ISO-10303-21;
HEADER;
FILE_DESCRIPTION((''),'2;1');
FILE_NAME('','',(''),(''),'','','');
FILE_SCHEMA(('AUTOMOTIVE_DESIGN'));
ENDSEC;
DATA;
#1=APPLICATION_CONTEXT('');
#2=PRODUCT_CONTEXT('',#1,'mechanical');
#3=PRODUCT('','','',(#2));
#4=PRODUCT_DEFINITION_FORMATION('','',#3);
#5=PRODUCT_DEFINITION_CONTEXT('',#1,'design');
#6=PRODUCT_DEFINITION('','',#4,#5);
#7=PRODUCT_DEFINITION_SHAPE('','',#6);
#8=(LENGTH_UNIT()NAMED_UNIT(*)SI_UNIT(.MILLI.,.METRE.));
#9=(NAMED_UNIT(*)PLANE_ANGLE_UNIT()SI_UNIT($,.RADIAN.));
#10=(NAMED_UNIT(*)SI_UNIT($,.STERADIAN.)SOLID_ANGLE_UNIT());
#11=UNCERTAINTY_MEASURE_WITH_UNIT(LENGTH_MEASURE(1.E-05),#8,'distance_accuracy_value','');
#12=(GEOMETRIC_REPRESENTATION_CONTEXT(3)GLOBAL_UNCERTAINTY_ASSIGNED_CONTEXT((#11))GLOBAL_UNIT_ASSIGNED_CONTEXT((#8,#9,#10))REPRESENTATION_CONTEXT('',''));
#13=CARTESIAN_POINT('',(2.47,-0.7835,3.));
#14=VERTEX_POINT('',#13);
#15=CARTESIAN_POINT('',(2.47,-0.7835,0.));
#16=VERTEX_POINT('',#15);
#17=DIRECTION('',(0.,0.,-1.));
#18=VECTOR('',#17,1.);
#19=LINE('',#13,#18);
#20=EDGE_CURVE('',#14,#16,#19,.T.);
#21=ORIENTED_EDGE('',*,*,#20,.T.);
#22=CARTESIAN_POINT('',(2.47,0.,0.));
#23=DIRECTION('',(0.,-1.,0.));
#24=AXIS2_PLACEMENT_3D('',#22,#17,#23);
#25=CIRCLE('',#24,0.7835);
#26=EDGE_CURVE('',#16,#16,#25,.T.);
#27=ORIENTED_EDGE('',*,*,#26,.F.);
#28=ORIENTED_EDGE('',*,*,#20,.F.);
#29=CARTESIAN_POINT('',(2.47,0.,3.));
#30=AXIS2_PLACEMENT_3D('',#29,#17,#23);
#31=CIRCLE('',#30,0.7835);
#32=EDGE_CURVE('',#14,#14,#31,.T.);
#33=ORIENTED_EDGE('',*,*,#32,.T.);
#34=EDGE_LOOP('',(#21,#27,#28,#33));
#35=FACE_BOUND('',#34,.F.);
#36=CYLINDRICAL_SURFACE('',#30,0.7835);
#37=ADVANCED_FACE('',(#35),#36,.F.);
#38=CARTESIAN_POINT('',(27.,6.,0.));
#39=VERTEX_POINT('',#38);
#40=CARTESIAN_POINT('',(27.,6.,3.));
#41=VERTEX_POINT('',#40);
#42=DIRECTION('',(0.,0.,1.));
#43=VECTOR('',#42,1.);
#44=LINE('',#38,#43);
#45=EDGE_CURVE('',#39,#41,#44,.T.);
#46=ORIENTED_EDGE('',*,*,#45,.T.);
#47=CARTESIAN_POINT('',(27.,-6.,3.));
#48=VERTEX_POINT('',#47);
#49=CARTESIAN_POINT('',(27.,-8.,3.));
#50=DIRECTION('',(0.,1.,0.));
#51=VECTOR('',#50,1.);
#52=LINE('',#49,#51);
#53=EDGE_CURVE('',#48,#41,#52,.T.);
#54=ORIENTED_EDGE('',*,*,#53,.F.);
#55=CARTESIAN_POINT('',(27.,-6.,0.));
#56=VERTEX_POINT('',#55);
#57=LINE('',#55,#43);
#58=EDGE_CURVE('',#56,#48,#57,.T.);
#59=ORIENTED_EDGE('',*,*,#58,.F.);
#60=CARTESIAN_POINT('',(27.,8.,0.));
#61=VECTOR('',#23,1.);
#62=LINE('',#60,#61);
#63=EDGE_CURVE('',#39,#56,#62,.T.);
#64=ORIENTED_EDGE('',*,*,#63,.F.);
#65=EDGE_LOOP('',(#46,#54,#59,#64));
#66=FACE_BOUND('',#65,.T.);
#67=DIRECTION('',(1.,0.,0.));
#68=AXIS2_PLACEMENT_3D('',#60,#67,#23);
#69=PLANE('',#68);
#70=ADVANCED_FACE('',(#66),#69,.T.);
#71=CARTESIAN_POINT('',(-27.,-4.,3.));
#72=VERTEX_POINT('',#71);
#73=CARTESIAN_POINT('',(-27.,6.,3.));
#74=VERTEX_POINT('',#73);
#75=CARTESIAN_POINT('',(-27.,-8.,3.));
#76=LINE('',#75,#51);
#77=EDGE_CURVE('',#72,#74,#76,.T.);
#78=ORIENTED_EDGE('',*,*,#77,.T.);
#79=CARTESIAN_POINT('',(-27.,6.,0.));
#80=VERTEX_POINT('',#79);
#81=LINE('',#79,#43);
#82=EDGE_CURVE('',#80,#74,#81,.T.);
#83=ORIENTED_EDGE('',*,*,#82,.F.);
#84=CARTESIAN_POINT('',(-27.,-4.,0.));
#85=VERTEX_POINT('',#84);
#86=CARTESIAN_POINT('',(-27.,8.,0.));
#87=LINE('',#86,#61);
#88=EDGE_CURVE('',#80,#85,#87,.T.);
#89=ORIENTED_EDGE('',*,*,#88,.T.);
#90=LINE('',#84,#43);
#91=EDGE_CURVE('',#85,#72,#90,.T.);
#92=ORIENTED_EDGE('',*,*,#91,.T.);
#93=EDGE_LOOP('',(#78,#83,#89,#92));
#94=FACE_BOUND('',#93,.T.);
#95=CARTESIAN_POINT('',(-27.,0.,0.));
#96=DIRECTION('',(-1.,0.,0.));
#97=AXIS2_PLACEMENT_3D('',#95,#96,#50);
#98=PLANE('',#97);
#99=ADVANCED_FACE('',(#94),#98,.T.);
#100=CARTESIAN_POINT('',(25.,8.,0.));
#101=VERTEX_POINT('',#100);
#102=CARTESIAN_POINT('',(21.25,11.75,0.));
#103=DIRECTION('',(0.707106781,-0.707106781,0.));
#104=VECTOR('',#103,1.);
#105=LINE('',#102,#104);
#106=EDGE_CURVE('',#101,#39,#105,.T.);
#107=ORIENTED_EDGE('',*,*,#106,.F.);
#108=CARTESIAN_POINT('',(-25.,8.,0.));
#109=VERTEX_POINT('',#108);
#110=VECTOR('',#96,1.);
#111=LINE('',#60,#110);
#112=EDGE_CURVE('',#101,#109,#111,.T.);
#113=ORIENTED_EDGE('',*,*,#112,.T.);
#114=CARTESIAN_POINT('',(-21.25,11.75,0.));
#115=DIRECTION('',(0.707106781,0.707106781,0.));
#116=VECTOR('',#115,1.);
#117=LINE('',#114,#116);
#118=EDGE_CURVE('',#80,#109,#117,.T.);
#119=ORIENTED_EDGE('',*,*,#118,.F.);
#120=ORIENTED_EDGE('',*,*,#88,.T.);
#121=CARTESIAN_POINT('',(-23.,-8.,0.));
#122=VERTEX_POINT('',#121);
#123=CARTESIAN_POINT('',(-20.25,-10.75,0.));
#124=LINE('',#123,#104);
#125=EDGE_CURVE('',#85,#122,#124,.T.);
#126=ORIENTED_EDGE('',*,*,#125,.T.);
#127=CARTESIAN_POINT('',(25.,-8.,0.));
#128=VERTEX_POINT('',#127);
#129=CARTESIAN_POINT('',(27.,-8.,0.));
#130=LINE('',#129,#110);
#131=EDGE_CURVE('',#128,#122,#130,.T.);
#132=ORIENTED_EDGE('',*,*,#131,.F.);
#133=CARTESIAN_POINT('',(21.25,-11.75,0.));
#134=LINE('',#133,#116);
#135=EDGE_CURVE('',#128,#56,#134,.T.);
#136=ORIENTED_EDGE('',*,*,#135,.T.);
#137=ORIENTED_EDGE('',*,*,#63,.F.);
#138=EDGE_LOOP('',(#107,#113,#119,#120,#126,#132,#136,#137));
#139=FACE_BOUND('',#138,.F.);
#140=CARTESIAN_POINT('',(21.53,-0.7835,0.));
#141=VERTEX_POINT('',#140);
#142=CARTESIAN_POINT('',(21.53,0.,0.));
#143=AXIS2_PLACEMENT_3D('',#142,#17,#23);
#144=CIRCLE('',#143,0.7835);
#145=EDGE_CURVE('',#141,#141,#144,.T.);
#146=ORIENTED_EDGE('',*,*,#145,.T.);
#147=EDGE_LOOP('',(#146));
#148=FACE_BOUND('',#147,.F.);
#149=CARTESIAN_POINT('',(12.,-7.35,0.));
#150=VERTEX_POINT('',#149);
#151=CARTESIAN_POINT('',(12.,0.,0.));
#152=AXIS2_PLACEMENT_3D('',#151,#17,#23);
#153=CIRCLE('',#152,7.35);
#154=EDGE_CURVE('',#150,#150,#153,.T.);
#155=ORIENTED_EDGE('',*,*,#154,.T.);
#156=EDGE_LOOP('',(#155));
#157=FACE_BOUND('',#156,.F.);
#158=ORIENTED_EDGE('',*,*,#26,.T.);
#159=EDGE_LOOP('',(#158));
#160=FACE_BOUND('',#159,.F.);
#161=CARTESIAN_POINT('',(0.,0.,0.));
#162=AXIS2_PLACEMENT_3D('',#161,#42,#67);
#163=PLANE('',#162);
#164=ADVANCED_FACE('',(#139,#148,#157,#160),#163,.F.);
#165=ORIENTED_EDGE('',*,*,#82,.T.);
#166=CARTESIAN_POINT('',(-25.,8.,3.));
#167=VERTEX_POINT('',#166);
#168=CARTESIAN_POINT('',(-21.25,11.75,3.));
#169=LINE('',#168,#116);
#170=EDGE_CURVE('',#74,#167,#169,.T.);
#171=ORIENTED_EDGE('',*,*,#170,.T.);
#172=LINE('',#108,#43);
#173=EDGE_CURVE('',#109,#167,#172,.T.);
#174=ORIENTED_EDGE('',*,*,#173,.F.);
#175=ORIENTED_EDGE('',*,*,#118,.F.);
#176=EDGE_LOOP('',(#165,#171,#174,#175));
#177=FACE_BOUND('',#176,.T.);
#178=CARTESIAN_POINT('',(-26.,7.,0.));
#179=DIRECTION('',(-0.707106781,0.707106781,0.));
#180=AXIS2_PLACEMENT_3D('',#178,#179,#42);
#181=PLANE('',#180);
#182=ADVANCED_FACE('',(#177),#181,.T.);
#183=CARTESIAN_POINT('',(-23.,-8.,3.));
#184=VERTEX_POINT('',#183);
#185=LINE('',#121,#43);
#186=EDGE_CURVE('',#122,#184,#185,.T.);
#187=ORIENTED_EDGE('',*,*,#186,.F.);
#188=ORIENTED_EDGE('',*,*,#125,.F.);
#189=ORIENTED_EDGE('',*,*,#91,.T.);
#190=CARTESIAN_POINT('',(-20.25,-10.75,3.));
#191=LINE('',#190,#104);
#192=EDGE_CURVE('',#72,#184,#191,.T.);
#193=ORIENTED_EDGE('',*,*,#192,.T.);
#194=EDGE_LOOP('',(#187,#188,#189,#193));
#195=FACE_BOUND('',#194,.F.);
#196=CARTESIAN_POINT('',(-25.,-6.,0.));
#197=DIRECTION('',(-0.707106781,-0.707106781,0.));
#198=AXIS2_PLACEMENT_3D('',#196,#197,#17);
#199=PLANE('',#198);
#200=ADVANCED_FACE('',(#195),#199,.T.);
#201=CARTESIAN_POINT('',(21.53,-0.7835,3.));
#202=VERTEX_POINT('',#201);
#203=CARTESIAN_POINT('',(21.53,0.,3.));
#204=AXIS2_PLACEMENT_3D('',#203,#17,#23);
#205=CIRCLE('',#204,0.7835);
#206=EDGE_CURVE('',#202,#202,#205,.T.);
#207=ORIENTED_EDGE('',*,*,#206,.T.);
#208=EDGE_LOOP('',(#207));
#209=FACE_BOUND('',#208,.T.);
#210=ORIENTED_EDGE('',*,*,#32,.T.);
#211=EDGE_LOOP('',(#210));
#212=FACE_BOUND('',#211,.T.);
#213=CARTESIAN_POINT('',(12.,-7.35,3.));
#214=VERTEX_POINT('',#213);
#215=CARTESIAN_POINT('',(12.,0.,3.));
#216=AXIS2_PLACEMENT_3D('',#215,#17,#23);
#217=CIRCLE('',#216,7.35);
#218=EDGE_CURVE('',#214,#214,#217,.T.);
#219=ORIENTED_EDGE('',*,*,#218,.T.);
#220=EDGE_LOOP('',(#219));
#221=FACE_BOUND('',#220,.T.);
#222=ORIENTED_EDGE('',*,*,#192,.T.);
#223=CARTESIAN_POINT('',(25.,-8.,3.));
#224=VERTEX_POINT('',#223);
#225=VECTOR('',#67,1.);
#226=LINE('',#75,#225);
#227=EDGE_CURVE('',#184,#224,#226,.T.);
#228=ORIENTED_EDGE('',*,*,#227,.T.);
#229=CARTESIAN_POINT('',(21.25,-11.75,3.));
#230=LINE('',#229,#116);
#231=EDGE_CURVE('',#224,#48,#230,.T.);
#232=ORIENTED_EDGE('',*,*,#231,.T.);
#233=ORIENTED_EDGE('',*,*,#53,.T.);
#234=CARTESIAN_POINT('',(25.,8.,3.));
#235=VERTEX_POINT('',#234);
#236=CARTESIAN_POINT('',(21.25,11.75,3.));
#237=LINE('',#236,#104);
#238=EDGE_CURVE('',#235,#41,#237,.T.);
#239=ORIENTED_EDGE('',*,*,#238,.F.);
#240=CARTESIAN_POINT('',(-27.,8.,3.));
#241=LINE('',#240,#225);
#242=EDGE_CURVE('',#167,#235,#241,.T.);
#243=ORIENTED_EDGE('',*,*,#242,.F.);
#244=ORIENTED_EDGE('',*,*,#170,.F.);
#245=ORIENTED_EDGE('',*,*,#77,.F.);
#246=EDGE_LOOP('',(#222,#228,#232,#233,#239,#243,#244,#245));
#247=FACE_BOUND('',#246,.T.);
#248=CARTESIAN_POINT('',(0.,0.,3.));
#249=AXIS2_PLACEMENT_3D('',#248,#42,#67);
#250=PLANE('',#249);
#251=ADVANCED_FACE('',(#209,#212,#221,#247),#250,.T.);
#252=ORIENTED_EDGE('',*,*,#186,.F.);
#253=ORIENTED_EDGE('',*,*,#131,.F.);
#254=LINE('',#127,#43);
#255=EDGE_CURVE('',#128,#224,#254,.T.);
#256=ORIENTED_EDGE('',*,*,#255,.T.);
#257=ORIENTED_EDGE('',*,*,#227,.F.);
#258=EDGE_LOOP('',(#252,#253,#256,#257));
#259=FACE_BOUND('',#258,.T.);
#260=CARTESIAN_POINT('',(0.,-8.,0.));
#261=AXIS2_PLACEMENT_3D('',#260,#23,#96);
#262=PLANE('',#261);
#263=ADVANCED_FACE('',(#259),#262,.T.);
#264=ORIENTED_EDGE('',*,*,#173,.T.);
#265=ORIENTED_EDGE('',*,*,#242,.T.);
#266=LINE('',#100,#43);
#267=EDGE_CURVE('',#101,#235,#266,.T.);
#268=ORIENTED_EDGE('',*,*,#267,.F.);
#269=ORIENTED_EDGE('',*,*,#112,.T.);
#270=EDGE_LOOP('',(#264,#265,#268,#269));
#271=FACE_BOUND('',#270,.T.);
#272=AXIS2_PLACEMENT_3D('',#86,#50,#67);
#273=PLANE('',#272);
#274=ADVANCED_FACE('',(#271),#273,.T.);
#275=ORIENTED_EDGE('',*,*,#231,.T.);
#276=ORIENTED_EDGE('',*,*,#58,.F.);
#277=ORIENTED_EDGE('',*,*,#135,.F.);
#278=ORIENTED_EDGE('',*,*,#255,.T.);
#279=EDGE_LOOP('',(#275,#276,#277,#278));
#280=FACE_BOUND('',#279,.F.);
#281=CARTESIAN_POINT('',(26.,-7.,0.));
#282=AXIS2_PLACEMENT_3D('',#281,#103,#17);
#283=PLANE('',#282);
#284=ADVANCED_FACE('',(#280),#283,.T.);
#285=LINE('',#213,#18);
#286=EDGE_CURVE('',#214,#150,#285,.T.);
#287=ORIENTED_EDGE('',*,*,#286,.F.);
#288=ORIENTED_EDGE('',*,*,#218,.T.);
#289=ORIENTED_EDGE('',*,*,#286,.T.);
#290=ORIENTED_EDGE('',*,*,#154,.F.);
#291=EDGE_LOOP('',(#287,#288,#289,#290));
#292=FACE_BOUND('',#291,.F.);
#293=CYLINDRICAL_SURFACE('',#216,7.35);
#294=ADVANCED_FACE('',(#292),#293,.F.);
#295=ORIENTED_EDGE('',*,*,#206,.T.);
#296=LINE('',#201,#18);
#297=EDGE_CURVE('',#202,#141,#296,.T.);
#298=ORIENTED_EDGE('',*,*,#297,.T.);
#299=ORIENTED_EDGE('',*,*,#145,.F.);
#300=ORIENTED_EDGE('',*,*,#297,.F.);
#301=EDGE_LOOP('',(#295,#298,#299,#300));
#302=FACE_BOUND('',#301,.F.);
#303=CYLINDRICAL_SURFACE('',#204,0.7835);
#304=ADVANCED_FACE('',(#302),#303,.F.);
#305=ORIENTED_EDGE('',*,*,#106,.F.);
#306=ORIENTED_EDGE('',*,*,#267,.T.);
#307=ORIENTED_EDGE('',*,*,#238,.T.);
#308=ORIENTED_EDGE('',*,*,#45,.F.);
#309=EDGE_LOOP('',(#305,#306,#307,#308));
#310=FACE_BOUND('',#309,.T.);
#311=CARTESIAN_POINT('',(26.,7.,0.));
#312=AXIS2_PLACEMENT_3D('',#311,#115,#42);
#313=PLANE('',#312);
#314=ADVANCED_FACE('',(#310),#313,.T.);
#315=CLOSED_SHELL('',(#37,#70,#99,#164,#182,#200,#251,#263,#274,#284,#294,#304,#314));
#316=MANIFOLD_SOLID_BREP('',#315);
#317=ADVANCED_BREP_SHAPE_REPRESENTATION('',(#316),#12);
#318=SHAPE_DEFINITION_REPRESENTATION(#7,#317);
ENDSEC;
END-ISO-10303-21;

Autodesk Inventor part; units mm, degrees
ref_plane "YZ Plane" through (0, 0, 0) normal (1, 0, 0) x (0, 1, 0)
ref_plane "XZ Plane" through (0, 0, 0) normal (0, 1, 0) x (-1, 0, 0)
ref_plane "XY Plane" through (0, 0, 0) normal (0, 0, 1) x (1, 0, 0)
sketch "Sketch1" plane through (0, 0, 0) normal (0, 0, 1) x (1, 0, 0)
  line L0 (-37.8, 0) -> (37.8, 0) projected
  line L1 (0, -11.2) -> (0, 11.2) projected
  line L2 (-27, 8) -> (27, 8)
  line L3 (27, 8) -> (27, -8)
  line L4 (27, -8) -> (-27, -8)
  line L5 (-27, -8) -> (-27, 8)
  point P0 (0, 0)
  point P1 (0, 8)
  point P2 (27, 0)
  dimension "d0" = 54
  dimension "d1" = 16
extrude "Extrusion1" add sketch "Sketch1" along normal blind 3
sketch "Sketch2" plane through (0, 0, 3) normal (0, 0, 1) x (1, 0, 0)
  line L0 (-37.8, 0) -> (37.8, 0) construction
  line L1 (0, -11.2) -> (0, 11.2) construction
  point P0 (0, 0)
  point P1 (12, 0)
  dimension "d4" = 12
hole "Hole1" at (12, 0, 3) direction (0, 0, -1) diameter 14.7 end through all
chamfer "Chamfer2" distance 2 angle 45 3 edges at (-27, 8, 1.5) (27, 8, 1.5) (27, -8, 1.5)
chamfer "Chamfer3" distance 4 angle 45 1 edges at (-27, -8, 1.5)
sketch "Sketch3" plane through (0, 0, 3) normal (0, 0, 1) x (1, 0, 0)
  line L0 (-37.8, 0) -> (37.8, 0) projected
  line L1 (0, -11.2) -> (0, 11.2) projected
  circle A0 centre (12, 0) radius 7.35 projected
  point P0 (0, 0)
  point P1 (2.47, 0)
  point P2 (21.53, 0)
  dimension "d21" = 9.53
  dimension "d22" = 9.53
hole "Hole2" at (2.47, 0, 3) at (21.53, 0, 3) direction (0, 0, -1) diameter 1.567 end through all thread size "M2x0.4" class "6H" standard "ISO Metric profile"
equation "\"d22\" = d21"
properties part number "P126" material "Aluminium"
